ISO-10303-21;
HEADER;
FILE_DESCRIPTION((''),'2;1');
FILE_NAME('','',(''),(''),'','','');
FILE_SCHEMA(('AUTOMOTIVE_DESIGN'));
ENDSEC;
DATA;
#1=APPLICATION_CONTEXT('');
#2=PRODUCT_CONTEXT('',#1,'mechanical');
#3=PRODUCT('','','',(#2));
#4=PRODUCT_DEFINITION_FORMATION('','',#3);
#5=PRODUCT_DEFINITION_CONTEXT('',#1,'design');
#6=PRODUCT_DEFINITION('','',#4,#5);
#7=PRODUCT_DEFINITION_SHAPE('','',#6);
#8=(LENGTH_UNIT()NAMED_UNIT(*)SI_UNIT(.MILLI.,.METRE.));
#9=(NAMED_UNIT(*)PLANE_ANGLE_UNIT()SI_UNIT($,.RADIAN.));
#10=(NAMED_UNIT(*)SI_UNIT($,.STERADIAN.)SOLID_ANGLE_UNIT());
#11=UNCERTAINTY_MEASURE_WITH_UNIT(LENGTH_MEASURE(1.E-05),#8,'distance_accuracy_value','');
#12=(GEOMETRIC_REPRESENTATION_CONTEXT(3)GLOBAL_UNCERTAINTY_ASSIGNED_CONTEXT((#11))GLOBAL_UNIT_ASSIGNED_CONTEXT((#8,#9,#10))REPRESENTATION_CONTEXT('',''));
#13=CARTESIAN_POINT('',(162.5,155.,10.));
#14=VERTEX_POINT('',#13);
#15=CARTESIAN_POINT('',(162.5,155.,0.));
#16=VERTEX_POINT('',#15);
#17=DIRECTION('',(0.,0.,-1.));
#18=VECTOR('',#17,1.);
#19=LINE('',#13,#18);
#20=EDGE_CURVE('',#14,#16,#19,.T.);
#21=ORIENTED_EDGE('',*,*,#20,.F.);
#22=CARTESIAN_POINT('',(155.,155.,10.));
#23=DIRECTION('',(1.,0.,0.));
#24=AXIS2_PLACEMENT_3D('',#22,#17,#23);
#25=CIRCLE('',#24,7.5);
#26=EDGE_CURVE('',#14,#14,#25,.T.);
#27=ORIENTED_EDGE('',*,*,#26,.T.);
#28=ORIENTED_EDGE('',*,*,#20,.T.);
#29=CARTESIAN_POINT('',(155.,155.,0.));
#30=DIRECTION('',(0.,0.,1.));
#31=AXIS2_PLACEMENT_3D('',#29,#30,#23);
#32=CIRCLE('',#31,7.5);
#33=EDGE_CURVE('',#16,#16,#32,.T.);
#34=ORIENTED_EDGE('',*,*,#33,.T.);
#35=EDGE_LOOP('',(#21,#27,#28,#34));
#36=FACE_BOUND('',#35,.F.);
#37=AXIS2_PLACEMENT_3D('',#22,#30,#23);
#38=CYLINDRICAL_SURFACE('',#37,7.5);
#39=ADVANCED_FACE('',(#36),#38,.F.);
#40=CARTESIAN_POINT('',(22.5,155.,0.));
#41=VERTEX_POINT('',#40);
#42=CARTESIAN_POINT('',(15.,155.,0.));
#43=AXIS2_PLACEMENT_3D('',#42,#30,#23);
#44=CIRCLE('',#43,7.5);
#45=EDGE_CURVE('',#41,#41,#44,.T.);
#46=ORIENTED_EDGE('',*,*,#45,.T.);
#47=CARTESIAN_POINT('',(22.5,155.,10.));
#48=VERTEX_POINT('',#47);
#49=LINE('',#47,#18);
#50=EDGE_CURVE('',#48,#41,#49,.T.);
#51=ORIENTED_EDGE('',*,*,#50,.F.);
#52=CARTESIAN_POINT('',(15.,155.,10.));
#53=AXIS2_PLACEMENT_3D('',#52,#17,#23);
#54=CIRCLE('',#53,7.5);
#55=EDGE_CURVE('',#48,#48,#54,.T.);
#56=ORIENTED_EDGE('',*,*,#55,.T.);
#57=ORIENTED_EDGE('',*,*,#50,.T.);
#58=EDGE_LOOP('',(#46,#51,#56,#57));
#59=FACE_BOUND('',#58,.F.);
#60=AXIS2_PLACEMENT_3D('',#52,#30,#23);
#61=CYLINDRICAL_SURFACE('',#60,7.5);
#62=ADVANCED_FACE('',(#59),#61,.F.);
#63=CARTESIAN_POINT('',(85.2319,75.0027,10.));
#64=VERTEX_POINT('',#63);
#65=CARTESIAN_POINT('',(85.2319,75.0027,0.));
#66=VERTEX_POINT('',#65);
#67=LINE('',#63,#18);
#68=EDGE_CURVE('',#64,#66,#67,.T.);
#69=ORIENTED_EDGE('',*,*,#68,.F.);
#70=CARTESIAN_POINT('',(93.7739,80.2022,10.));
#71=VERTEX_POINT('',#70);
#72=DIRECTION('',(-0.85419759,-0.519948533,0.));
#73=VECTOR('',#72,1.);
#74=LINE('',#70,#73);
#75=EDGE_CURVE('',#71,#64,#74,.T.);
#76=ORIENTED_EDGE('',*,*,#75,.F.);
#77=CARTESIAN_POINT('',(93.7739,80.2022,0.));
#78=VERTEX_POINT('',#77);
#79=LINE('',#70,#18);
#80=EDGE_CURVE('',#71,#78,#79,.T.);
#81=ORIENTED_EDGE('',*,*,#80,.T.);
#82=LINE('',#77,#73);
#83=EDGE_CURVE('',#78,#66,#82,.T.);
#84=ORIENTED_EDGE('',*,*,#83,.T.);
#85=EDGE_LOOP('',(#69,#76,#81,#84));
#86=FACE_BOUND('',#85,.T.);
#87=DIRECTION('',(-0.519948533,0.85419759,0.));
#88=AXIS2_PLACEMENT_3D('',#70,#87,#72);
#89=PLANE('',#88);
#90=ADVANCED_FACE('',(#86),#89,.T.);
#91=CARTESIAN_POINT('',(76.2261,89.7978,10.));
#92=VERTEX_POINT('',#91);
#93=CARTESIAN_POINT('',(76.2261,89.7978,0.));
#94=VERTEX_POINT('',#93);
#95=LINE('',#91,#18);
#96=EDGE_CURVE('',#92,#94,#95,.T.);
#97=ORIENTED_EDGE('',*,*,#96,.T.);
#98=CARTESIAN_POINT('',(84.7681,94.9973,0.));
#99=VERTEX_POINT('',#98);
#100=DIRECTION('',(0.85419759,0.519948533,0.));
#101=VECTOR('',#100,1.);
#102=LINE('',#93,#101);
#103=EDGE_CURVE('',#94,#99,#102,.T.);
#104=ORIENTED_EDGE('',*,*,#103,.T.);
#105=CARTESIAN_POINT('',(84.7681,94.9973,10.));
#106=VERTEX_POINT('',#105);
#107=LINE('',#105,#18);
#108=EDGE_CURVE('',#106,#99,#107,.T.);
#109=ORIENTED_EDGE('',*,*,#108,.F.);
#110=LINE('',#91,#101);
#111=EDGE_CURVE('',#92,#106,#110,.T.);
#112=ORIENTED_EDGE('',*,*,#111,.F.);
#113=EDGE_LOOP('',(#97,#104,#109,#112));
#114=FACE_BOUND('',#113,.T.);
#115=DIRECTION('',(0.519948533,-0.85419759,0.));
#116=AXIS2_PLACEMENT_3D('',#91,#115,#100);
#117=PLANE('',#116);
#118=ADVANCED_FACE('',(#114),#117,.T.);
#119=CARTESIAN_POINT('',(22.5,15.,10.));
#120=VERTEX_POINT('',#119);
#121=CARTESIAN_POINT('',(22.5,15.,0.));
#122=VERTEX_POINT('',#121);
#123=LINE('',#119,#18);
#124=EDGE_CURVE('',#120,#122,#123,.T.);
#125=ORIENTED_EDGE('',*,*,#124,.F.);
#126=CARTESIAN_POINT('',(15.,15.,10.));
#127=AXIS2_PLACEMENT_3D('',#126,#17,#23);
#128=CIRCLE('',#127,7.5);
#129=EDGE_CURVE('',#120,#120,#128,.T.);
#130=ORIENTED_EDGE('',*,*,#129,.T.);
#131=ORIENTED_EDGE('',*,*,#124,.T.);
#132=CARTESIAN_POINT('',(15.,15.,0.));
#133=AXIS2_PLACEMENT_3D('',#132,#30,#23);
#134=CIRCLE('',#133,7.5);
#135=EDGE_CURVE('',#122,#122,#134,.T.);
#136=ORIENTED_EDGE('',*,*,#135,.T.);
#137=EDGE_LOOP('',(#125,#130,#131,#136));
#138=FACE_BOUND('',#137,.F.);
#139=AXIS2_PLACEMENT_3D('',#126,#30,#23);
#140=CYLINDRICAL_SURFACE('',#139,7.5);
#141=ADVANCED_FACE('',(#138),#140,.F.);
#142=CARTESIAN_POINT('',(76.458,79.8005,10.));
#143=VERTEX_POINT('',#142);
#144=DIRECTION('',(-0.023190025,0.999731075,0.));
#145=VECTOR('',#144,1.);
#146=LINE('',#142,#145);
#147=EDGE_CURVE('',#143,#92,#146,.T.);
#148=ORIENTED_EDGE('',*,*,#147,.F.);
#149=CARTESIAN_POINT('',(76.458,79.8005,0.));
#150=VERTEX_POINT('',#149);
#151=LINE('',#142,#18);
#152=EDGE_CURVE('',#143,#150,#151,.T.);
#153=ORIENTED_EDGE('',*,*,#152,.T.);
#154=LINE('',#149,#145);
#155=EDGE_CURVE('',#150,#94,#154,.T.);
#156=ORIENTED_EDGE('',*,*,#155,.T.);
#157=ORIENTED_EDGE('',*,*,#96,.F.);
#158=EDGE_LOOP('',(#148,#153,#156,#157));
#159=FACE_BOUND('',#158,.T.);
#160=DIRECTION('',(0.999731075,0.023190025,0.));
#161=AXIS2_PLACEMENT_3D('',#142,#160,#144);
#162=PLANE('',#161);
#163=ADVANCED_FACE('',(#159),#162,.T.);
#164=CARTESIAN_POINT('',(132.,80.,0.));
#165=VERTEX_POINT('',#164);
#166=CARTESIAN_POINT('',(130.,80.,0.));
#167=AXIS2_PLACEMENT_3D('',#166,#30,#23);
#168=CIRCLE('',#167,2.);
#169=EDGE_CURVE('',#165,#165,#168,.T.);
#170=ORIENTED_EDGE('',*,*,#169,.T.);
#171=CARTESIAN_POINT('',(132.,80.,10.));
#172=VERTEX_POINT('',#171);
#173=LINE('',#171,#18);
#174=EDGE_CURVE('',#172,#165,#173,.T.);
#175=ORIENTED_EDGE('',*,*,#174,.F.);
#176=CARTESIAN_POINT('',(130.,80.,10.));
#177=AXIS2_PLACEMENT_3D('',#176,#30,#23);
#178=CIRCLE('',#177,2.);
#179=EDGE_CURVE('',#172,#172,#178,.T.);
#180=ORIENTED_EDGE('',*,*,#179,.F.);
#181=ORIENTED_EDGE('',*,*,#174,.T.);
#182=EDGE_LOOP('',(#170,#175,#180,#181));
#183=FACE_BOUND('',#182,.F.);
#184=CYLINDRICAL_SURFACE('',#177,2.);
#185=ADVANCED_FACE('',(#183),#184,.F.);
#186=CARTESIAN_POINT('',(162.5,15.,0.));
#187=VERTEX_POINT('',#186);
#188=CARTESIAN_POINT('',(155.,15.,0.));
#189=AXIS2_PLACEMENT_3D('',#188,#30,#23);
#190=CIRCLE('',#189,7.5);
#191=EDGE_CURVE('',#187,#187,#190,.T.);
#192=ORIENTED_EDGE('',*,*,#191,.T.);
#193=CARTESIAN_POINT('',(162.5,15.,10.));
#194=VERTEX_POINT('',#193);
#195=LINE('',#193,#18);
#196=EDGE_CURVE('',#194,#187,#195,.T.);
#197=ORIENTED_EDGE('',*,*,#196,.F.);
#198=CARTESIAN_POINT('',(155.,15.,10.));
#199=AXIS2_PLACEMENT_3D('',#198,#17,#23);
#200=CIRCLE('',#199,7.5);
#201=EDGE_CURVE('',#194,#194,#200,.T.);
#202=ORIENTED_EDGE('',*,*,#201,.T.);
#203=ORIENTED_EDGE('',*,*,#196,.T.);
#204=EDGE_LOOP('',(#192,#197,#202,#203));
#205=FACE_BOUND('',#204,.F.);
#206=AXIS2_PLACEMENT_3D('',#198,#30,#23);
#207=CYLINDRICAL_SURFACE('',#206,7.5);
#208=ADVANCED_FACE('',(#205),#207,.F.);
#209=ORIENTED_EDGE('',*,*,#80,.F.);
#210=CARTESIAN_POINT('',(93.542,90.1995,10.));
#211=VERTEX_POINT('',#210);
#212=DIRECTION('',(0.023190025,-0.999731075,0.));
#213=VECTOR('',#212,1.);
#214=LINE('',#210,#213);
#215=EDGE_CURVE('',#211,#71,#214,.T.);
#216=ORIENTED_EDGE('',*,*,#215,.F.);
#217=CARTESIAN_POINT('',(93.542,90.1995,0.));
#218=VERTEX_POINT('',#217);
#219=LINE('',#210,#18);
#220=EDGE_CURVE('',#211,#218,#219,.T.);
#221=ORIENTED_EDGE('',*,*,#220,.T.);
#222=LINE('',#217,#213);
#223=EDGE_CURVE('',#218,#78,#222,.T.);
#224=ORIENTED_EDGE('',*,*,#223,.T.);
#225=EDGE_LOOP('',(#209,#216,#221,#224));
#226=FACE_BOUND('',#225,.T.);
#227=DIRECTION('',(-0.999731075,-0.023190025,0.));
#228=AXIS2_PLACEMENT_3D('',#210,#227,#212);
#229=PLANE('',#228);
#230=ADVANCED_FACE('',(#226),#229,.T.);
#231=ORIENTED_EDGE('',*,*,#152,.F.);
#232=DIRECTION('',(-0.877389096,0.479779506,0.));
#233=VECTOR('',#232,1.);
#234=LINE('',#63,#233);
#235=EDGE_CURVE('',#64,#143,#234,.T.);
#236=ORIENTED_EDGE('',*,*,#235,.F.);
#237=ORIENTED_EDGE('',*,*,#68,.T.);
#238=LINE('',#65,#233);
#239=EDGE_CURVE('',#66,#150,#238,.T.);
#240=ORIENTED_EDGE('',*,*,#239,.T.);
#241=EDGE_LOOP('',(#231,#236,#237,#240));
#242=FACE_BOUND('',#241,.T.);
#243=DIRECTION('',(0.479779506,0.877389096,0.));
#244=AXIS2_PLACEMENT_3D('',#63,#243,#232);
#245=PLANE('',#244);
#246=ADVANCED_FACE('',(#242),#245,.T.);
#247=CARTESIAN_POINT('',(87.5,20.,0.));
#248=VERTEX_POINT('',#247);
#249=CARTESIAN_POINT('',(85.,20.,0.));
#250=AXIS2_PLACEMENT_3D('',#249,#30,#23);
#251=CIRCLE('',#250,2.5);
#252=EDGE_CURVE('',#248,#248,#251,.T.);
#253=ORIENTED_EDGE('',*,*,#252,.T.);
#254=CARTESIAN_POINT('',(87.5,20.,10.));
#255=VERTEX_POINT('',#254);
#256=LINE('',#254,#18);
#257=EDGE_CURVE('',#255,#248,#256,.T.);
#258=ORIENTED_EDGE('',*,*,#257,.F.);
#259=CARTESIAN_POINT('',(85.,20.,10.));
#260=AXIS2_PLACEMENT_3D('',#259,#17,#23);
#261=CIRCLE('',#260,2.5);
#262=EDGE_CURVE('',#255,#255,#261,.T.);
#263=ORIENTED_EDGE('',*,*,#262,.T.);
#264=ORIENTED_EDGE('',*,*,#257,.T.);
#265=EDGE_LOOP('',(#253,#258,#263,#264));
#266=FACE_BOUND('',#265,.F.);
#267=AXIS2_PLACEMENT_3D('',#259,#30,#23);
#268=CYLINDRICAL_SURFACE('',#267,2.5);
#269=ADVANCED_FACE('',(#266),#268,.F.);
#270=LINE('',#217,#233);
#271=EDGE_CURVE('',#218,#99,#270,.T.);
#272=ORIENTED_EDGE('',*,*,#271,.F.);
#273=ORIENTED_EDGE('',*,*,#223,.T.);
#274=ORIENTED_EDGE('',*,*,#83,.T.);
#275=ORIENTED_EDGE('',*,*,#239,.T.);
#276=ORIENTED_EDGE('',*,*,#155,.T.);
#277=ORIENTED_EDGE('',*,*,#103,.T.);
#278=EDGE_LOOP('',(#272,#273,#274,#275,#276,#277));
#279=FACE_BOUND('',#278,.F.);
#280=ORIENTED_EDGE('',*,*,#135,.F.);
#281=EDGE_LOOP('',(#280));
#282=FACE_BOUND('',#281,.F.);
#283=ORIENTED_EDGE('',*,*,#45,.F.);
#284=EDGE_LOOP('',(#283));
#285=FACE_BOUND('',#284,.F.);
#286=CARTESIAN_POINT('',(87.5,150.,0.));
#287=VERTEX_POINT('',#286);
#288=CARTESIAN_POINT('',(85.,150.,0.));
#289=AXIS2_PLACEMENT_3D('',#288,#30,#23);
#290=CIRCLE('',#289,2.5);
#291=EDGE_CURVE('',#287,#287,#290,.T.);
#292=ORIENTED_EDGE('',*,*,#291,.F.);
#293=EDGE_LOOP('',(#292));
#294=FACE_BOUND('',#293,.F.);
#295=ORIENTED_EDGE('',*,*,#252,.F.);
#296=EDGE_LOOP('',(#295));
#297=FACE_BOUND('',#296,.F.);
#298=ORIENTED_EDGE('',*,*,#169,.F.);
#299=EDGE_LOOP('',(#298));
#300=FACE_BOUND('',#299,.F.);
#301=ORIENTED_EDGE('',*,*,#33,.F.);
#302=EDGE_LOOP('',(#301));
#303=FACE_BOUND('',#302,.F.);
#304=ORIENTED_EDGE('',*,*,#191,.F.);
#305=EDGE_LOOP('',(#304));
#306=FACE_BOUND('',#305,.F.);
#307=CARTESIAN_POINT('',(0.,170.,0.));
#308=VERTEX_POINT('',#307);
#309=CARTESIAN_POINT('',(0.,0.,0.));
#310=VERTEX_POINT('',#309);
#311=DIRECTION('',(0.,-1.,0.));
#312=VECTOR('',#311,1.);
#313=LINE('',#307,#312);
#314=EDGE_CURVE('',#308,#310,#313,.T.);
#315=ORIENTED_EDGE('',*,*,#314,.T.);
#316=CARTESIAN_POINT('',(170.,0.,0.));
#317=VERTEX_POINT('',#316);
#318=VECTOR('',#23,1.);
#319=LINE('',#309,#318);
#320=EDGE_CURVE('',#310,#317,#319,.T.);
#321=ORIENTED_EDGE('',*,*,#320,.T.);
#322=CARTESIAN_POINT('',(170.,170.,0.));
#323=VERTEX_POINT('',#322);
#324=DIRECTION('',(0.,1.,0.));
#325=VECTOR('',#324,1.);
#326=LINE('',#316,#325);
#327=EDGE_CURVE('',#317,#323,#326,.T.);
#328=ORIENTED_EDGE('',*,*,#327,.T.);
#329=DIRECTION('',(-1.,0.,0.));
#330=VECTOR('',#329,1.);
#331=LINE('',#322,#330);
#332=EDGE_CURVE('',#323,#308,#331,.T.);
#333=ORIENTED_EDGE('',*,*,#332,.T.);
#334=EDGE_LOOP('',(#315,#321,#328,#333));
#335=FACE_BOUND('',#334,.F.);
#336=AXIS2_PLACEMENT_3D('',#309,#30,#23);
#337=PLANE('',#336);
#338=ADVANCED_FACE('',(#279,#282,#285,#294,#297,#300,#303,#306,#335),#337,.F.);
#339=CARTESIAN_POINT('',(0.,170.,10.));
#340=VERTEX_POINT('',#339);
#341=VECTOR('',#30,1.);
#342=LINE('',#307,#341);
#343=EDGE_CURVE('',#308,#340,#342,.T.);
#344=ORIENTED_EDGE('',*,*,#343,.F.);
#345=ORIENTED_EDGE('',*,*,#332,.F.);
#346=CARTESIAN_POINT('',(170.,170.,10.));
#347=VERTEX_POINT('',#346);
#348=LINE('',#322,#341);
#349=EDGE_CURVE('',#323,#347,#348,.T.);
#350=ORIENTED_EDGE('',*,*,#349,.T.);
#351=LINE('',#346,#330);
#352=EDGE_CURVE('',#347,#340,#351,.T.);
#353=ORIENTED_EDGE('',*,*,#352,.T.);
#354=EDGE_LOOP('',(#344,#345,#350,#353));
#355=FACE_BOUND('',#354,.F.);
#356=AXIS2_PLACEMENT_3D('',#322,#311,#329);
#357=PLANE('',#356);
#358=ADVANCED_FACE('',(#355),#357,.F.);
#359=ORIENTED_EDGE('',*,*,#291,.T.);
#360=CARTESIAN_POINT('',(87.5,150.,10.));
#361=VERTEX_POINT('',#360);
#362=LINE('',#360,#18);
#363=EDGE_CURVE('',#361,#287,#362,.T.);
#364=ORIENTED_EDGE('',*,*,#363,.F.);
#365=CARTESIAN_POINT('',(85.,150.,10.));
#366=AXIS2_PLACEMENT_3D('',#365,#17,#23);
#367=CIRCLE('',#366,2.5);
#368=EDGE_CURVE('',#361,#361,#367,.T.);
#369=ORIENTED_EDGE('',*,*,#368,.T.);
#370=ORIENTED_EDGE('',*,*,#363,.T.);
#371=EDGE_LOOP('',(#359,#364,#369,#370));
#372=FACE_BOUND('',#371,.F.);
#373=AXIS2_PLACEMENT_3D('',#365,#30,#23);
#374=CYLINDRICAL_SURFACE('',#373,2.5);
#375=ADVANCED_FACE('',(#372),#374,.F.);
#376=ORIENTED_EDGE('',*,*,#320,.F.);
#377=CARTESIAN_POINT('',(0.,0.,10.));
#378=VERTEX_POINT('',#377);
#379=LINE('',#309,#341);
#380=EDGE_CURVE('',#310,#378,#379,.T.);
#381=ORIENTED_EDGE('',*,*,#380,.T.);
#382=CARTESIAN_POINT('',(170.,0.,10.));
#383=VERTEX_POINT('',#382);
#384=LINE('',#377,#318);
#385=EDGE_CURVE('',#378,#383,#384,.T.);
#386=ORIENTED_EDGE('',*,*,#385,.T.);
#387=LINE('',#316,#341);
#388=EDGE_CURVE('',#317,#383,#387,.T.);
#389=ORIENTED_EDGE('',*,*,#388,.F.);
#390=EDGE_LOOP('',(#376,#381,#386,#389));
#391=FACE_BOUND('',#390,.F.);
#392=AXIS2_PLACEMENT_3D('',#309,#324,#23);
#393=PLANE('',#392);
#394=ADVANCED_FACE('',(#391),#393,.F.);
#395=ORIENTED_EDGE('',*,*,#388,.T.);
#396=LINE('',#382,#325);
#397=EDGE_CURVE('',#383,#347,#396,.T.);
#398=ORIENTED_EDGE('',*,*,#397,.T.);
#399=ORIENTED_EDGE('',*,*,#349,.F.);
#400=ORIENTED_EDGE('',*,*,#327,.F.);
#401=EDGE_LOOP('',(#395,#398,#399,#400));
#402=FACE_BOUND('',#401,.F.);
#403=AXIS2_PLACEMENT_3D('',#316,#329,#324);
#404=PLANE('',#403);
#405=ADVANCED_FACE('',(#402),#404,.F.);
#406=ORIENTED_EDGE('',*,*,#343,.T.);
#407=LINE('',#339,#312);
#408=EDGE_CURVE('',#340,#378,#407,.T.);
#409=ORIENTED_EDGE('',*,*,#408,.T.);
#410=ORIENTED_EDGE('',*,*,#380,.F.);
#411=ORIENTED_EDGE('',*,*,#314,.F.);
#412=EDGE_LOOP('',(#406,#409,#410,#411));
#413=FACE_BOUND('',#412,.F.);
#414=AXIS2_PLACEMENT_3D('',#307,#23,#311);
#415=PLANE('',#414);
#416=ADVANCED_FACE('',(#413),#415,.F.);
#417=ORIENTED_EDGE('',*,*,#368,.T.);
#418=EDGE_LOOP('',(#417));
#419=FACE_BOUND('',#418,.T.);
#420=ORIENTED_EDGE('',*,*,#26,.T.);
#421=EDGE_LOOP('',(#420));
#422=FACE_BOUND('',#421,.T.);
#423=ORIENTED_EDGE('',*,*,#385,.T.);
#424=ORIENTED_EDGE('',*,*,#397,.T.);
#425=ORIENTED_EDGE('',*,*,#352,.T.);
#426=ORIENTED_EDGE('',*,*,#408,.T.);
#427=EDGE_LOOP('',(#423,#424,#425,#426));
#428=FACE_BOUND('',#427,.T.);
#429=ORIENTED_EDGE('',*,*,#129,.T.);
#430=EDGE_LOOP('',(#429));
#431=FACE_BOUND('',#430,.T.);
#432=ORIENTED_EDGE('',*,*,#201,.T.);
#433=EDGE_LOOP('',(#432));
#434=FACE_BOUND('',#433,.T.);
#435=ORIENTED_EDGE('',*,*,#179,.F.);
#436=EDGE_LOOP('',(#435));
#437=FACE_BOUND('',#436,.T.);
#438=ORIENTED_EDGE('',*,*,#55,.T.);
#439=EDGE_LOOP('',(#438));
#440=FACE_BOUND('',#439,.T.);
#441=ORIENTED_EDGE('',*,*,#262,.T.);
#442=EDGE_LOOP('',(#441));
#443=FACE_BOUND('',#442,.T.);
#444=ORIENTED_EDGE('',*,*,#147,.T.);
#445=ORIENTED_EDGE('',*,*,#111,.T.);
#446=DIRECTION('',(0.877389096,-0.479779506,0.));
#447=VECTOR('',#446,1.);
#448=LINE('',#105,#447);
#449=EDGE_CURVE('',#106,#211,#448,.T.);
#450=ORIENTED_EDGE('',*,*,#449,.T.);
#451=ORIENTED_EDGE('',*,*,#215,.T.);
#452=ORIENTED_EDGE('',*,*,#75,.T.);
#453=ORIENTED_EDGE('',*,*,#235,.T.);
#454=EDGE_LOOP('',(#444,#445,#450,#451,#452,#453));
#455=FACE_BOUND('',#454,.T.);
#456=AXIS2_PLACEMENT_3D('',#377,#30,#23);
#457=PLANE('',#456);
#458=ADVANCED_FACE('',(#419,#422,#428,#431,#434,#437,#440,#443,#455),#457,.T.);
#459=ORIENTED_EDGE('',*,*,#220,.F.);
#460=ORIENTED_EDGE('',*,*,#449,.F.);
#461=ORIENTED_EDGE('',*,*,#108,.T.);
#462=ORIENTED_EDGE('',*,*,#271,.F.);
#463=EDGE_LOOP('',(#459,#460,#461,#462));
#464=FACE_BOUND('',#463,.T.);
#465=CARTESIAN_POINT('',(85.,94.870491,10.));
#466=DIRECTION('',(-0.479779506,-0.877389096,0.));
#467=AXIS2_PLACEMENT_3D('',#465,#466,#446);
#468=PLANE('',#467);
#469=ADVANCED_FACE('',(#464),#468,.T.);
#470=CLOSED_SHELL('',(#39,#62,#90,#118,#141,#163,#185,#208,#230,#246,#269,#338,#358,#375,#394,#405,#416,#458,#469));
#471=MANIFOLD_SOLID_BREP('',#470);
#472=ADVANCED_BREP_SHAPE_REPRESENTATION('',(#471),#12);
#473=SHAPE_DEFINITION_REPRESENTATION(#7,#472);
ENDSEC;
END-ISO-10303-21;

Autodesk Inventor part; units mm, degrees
ref_plane "YZ Plane" through (0, 0, 0) normal (1, 0, 0) x (0, 1, 0)
ref_plane "XZ Plane" through (0, 0, 0) normal (0, 1, 0) x (-1, 0, 0)
ref_plane "XY Plane" through (0, 0, 0) normal (0, 0, 1) x (1, 0, 0)
sketch "Sketch1" plane through (0, 0, 0) normal (0, 0, 1) x (1, 0, 0)
  line L0 (0, 0) -> (170, 0)
  line L1 (170, 0) -> (170, 170)
  line L2 (170, 170) -> (0, 170)
  line L3 (0, 170) -> (0, 0)
  dimension "d0" = 170
  dimension "d1" = 170
extrude "Extrusion1" add sketch "Sketch1" along normal blind 10
sketch "Sketch2" plane through (0, 0, 10) normal (0, 0, 1) x (1, 0, 0)
  line L0 (170, 170) -> (0, 170) projected
  line L1 (0, 170) -> (0, 155)
  line L2 (0, 170) -> (0, 0) projected
  line L3 (0, 0) -> (170, 0) projected
  line L4 (0, 0) -> (0, 15)
  line L5 (0, 15) -> (155, 15)
  line L6 (155, 15) -> (155, 155)
  line L7 (155, 155) -> (15, 155)
  line L8 (15, 155) -> (15, 15)
  line L9 (15, 155) -> (30, 155)
  circle A0 centre (15, 155) radius 7.5
  circle A1 centre (155, 155) radius 7.5
  circle A2 centre (155, 15) radius 7.5
  circle A3 centre (15, 15) radius 7.5
  dimension "d4" = 15
  dimension "d5" = 15
  dimension "d6" = 155
  dimension "d7" = 140
  dimension "d8" = 140
  dimension "d9" = 140
  dimension "d10" = 15
  dimension "d11" = 15
  dimension "d12" = 15
  dimension "d13" = 15
extrude "Extrusion2" cut sketch "Sketch2" against normal blind 10 contours L8 A3 L5 | L5 A3 | L5 A3 L8 | A2 L6 L5 | L5 L6 A2 | A0 L7 L8 | L8 L7 A0 | A1 L7 L6 | L6 L7 A1
sketch "Sketch3" plane through (0, 0, 10) normal (0, 0, 1) x (1, 0, 0)
  line L0 (170, 170) -> (0, 170) projected
  line L1 (0, 170) -> (85, 170)
  line L2 (85, 170) -> (85, 85)
  line L3 (93.542, 90.1995) -> (93.7739, 80.2022)
  line L4 (93.7739, 80.2022) -> (85.2319, 75.0027)
  line L5 (85.2319, 75.0027) -> (76.458, 79.8005)
  line L6 (76.458, 79.8005) -> (76.2261, 89.7978)
  line L7 (76.2261, 89.7978) -> (84.7681, 94.9973)
  line L8 (84.7681, 94.9973) -> (93.542, 90.1995)
  point P0 (0, 0)
  dimension "d16" = 85
  dimension "d17" = 85
  dimension "d18" = 10
extrude "Extrusion3" cut sketch "Sketch3" against normal blind 10
sketch "Sketch4" plane through (0, 0, 10) normal (0, 0, 1) x (1, 0, 0)
  line L0 (170, 170) -> (0, 170) projected
  line L1 (0, 170) -> (85, 170)
  line L2 (85, 170) -> (85, 150)
  line L3 (85, 150) -> (85, 20)
  circle A0 centre (85, 150) radius 2.5
  circle A1 centre (85, 20) radius 2.5
  point P0 (0, 0)
  dimension "d21" = 85
  dimension "d22" = 20
  dimension "d23" = 130
  dimension "d24" = 5
  dimension "d25" = 5
extrude "Extrusion4" cut sketch "Sketch4" against normal blind 10
sketch "Sketch5" plane through (0, 0, 10) normal (0, 0, 1) x (1, 0, 0)
  line L0 (170, 0) -> (170, 170) projected
  line L1 (170, 0) -> (170, 80)
  line L2 (170, 80) -> (130, 80)
  circle A0 centre (130, 80) radius 2
  point P0 (0, 0)
  dimension "d28" = 80
  dimension "d29" = 40
  dimension "d30" = 4
extrude "Extrusion5" cut sketch "Sketch5" against normal blind 10
properties part number "AY"
